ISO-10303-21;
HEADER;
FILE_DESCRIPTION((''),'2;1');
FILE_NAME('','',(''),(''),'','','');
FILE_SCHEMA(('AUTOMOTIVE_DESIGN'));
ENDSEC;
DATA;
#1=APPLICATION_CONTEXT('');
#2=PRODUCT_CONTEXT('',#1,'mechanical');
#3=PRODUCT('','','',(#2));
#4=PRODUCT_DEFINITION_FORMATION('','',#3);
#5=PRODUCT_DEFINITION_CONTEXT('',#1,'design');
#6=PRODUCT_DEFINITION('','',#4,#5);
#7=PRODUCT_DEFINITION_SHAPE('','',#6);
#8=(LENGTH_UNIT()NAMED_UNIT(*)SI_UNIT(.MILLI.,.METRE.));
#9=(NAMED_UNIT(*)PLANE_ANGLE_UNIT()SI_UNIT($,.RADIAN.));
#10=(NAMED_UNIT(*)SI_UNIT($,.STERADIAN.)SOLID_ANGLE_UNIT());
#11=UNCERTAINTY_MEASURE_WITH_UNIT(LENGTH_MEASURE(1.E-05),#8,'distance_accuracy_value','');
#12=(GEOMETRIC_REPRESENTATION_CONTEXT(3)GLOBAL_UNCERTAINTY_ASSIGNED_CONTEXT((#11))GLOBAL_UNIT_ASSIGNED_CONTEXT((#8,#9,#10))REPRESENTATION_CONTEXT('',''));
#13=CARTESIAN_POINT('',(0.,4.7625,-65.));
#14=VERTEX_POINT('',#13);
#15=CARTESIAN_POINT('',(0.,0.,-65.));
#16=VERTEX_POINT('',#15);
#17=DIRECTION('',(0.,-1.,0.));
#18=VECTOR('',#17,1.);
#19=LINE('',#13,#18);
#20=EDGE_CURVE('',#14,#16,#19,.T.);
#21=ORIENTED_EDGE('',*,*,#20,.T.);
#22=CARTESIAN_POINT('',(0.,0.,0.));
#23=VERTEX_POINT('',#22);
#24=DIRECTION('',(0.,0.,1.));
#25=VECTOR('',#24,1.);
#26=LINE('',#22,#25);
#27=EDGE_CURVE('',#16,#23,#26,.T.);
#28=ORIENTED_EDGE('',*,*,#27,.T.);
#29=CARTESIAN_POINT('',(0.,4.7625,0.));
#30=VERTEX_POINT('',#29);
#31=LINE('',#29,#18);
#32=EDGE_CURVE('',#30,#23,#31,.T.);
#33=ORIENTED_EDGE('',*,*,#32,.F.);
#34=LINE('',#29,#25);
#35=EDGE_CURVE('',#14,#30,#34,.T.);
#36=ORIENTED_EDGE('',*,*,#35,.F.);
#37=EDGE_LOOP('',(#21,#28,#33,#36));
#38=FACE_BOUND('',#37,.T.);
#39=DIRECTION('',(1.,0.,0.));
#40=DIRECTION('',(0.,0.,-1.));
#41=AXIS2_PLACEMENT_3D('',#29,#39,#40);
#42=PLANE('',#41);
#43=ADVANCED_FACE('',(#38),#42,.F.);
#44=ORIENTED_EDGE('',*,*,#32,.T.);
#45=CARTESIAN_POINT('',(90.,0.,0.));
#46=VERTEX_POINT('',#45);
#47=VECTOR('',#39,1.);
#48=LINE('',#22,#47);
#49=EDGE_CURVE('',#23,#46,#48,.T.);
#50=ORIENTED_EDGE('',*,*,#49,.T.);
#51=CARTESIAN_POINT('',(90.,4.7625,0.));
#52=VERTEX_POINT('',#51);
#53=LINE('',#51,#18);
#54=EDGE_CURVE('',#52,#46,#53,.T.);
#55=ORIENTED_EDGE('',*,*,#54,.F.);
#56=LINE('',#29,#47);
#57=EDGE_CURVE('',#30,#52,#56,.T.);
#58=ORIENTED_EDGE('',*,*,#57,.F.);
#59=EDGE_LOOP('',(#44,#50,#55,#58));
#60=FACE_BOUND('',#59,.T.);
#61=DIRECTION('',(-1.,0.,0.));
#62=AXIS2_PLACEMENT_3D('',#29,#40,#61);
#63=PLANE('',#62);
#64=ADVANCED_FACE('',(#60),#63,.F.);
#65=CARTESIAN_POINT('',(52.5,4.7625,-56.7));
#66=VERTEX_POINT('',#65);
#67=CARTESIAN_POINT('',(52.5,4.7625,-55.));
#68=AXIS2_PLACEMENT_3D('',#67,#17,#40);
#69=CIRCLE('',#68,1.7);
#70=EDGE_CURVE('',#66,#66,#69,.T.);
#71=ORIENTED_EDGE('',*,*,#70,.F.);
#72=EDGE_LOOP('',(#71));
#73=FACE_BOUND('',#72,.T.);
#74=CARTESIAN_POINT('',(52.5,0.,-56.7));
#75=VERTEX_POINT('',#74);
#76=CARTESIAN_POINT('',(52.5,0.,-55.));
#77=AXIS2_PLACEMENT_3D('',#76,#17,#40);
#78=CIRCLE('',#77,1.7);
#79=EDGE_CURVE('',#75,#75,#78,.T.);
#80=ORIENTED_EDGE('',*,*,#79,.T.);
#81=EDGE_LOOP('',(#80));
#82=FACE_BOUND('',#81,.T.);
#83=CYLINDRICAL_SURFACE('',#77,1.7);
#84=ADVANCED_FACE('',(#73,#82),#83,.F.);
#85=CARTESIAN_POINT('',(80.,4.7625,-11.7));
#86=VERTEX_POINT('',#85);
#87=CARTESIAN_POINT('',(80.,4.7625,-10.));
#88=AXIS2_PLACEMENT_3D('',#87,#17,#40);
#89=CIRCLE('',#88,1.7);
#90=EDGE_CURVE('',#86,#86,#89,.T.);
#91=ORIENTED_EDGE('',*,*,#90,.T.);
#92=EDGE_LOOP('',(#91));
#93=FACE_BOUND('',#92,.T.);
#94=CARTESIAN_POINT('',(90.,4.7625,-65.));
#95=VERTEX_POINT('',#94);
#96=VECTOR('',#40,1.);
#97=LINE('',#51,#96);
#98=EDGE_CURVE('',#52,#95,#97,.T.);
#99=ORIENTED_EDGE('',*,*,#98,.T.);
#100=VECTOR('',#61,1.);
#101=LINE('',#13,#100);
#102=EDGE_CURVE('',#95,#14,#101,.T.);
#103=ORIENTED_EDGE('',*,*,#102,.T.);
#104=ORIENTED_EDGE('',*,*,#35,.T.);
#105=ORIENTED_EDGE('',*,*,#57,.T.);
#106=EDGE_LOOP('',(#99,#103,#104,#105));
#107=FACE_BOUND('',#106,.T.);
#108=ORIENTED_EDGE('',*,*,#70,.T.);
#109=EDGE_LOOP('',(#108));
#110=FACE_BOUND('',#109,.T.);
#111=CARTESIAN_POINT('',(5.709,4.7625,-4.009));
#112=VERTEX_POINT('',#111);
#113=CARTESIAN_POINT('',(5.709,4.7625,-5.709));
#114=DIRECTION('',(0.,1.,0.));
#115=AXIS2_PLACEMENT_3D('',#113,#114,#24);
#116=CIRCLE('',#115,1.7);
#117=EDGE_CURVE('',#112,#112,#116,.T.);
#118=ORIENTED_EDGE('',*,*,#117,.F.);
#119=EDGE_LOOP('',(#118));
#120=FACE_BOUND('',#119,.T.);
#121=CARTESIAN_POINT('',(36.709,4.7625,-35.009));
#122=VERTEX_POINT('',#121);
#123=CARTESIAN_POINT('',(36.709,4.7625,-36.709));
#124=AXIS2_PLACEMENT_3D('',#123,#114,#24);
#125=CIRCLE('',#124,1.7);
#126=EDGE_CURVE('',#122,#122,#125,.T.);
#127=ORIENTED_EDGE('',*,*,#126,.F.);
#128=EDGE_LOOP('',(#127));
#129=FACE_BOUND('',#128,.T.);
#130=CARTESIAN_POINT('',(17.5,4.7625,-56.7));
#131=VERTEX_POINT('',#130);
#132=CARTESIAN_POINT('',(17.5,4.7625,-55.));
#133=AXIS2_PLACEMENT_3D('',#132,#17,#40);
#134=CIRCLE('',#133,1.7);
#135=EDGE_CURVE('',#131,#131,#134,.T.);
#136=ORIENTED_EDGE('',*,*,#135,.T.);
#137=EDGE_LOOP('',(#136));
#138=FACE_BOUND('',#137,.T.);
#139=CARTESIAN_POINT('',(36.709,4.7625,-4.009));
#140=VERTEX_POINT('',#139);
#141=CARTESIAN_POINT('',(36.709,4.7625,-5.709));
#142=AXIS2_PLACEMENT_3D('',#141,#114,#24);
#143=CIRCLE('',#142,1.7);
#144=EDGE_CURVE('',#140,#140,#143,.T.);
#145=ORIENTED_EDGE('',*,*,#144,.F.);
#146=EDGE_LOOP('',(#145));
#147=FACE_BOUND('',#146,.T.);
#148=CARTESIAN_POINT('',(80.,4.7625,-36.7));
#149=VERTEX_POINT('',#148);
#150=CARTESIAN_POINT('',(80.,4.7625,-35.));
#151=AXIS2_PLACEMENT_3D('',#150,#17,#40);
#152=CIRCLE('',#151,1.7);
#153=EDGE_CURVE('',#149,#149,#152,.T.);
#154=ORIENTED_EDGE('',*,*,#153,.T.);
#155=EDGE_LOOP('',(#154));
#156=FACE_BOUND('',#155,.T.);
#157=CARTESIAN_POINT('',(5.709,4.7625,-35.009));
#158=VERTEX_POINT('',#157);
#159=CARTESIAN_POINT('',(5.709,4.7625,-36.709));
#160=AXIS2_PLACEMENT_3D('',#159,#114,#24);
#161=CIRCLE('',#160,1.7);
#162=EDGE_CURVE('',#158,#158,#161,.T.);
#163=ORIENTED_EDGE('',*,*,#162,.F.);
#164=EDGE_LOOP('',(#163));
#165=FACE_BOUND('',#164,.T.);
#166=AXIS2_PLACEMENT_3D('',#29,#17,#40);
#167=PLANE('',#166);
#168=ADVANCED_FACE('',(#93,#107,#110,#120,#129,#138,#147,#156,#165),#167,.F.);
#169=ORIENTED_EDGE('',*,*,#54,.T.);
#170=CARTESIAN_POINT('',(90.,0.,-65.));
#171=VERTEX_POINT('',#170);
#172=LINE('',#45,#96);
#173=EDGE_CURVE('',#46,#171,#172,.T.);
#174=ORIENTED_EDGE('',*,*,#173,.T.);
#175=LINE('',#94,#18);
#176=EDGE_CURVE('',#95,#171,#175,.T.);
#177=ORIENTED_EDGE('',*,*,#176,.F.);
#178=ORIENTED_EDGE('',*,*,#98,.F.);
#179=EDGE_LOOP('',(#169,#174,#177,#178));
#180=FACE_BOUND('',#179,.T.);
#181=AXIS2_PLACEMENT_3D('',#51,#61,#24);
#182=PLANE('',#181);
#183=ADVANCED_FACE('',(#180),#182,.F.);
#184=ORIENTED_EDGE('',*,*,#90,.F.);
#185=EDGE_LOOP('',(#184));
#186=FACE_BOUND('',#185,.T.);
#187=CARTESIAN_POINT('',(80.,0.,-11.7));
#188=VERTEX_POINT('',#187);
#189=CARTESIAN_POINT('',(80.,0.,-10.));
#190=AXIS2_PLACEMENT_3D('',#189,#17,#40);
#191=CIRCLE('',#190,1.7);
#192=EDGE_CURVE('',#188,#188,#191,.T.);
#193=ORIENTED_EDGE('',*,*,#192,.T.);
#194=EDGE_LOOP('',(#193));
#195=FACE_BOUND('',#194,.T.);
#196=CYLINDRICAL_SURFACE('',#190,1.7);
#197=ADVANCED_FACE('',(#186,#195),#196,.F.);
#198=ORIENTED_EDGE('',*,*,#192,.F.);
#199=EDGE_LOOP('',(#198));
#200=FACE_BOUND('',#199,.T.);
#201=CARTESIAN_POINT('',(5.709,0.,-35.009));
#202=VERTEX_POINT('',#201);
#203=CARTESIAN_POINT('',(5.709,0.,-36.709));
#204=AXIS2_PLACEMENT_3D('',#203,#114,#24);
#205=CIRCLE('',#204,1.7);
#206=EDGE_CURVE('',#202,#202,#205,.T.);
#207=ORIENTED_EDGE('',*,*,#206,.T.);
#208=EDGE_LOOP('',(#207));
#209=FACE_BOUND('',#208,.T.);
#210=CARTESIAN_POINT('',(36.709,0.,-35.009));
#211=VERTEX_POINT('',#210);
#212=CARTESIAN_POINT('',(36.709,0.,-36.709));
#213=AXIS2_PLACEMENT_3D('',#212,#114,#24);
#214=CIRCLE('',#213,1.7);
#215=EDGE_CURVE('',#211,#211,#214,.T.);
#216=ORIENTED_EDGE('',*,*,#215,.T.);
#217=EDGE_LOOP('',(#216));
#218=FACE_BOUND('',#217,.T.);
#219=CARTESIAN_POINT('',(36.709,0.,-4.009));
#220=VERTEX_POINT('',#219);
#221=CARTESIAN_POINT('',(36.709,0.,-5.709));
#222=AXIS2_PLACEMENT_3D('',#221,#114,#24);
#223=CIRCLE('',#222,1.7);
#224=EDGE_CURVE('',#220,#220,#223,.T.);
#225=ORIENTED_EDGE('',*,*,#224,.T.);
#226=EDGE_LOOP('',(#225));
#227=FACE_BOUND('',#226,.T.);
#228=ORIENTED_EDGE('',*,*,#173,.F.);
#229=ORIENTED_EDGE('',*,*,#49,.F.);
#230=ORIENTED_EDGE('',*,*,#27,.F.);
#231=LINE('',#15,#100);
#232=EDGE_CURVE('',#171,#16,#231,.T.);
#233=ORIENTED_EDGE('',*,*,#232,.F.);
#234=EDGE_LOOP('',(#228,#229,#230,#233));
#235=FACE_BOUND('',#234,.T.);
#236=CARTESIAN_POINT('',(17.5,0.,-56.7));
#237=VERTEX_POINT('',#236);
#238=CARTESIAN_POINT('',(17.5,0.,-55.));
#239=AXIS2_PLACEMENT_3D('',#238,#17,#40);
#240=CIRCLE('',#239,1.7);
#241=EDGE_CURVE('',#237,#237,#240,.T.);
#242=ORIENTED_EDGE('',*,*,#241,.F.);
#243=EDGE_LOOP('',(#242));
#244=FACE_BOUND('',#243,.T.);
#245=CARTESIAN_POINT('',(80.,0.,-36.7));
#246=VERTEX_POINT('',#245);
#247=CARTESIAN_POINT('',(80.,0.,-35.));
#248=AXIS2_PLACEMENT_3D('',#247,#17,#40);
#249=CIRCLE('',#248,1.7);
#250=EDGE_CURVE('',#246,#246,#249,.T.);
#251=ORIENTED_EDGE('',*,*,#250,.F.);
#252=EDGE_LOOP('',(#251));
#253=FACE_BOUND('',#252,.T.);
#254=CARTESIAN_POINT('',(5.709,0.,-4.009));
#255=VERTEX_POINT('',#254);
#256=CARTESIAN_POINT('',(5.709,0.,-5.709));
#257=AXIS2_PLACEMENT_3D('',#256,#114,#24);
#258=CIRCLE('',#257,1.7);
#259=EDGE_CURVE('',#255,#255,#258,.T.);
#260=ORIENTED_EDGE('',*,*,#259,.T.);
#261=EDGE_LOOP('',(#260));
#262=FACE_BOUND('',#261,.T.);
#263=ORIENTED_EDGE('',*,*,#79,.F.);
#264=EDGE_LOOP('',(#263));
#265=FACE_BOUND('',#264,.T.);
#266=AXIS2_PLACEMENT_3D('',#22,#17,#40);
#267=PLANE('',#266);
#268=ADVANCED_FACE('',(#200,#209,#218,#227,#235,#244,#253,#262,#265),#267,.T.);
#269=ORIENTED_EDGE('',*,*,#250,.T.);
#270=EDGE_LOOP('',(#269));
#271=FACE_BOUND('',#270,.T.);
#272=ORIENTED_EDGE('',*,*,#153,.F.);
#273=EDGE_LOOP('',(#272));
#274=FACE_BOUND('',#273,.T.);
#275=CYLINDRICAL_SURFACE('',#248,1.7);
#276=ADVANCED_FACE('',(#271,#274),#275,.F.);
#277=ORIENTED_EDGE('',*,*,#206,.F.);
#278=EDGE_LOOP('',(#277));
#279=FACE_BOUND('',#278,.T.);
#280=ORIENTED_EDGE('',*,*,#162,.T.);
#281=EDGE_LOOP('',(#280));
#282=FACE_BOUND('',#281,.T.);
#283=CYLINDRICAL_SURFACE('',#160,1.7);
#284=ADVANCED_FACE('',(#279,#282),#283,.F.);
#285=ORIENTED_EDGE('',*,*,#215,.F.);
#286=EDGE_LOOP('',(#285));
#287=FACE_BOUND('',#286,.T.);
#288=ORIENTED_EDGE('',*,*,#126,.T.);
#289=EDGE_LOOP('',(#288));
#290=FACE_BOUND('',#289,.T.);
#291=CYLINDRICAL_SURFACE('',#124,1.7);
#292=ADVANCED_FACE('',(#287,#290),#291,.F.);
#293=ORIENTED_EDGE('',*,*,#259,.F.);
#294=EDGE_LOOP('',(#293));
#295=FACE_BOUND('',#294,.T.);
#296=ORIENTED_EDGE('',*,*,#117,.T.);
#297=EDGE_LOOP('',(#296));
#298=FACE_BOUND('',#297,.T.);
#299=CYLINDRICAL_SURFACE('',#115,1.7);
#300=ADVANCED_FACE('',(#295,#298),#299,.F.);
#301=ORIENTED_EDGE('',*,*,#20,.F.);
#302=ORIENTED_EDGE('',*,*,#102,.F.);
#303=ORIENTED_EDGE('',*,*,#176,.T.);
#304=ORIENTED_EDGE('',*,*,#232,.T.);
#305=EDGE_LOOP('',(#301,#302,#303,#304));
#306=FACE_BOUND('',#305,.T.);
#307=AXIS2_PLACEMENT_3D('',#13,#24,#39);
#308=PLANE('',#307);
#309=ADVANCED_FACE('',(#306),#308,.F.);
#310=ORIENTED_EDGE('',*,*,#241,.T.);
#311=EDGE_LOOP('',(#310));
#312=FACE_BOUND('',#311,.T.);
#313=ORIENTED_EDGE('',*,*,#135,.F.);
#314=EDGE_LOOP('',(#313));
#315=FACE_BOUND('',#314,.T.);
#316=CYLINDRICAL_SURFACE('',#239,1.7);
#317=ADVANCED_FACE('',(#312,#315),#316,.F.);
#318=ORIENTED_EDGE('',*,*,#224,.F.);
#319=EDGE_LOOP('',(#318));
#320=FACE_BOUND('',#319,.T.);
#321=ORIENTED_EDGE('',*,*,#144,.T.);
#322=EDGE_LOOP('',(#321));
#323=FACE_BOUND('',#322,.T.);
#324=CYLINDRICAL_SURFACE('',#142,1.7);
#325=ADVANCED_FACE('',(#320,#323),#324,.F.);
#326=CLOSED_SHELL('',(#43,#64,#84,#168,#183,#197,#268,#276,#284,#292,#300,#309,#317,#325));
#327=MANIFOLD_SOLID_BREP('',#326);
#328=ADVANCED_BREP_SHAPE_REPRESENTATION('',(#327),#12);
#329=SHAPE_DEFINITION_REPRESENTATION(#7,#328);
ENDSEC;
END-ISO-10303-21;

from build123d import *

# Parameters (mm, degrees)
SKETCH1_W            = 90
SKETCH1_H            = 65
BOSS_EXTRUDE1_DEPTH  = 4.7625
M3_CLEARANCE_HOLE1_D = 3.4
M3_CLEARANCE_HOLE2_D = 3.4


with BuildPart() as part:
    # Sketch1 → Boss-Extrude1 (new body)
    with BuildSketch(Plane(origin=(0, 0, 0), x_dir=(1, 0, 0), z_dir=(0, 1, 0))):
        with Locations((45, 32.5)):
            Rectangle(SKETCH1_W, SKETCH1_H)
    extrude(amount=BOSS_EXTRUDE1_DEPTH)

    # M3 Clearance Hole1 (through all)
    with Locations(Plane(origin=(0, 4.7625, 0), x_dir=(1, 0, 0), z_dir=(0, 1, 0))):
        with Locations((36.709, 5.709), (36.709, 36.709), (5.709, 36.709), (5.709, 5.709)):
            Hole(M3_CLEARANCE_HOLE1_D / 2)

    # M3 Clearance Hole2 (through all)
    with Locations(Plane(origin=(0, 0, 0), x_dir=(-1, 0, 0), z_dir=(0, -1, 0))):
        with Locations((-17.5, 55), (-52.5, 55), (-80, 35), (-80, 10)):
            Hole(M3_CLEARANCE_HOLE2_D / 2)


solid = part.part
